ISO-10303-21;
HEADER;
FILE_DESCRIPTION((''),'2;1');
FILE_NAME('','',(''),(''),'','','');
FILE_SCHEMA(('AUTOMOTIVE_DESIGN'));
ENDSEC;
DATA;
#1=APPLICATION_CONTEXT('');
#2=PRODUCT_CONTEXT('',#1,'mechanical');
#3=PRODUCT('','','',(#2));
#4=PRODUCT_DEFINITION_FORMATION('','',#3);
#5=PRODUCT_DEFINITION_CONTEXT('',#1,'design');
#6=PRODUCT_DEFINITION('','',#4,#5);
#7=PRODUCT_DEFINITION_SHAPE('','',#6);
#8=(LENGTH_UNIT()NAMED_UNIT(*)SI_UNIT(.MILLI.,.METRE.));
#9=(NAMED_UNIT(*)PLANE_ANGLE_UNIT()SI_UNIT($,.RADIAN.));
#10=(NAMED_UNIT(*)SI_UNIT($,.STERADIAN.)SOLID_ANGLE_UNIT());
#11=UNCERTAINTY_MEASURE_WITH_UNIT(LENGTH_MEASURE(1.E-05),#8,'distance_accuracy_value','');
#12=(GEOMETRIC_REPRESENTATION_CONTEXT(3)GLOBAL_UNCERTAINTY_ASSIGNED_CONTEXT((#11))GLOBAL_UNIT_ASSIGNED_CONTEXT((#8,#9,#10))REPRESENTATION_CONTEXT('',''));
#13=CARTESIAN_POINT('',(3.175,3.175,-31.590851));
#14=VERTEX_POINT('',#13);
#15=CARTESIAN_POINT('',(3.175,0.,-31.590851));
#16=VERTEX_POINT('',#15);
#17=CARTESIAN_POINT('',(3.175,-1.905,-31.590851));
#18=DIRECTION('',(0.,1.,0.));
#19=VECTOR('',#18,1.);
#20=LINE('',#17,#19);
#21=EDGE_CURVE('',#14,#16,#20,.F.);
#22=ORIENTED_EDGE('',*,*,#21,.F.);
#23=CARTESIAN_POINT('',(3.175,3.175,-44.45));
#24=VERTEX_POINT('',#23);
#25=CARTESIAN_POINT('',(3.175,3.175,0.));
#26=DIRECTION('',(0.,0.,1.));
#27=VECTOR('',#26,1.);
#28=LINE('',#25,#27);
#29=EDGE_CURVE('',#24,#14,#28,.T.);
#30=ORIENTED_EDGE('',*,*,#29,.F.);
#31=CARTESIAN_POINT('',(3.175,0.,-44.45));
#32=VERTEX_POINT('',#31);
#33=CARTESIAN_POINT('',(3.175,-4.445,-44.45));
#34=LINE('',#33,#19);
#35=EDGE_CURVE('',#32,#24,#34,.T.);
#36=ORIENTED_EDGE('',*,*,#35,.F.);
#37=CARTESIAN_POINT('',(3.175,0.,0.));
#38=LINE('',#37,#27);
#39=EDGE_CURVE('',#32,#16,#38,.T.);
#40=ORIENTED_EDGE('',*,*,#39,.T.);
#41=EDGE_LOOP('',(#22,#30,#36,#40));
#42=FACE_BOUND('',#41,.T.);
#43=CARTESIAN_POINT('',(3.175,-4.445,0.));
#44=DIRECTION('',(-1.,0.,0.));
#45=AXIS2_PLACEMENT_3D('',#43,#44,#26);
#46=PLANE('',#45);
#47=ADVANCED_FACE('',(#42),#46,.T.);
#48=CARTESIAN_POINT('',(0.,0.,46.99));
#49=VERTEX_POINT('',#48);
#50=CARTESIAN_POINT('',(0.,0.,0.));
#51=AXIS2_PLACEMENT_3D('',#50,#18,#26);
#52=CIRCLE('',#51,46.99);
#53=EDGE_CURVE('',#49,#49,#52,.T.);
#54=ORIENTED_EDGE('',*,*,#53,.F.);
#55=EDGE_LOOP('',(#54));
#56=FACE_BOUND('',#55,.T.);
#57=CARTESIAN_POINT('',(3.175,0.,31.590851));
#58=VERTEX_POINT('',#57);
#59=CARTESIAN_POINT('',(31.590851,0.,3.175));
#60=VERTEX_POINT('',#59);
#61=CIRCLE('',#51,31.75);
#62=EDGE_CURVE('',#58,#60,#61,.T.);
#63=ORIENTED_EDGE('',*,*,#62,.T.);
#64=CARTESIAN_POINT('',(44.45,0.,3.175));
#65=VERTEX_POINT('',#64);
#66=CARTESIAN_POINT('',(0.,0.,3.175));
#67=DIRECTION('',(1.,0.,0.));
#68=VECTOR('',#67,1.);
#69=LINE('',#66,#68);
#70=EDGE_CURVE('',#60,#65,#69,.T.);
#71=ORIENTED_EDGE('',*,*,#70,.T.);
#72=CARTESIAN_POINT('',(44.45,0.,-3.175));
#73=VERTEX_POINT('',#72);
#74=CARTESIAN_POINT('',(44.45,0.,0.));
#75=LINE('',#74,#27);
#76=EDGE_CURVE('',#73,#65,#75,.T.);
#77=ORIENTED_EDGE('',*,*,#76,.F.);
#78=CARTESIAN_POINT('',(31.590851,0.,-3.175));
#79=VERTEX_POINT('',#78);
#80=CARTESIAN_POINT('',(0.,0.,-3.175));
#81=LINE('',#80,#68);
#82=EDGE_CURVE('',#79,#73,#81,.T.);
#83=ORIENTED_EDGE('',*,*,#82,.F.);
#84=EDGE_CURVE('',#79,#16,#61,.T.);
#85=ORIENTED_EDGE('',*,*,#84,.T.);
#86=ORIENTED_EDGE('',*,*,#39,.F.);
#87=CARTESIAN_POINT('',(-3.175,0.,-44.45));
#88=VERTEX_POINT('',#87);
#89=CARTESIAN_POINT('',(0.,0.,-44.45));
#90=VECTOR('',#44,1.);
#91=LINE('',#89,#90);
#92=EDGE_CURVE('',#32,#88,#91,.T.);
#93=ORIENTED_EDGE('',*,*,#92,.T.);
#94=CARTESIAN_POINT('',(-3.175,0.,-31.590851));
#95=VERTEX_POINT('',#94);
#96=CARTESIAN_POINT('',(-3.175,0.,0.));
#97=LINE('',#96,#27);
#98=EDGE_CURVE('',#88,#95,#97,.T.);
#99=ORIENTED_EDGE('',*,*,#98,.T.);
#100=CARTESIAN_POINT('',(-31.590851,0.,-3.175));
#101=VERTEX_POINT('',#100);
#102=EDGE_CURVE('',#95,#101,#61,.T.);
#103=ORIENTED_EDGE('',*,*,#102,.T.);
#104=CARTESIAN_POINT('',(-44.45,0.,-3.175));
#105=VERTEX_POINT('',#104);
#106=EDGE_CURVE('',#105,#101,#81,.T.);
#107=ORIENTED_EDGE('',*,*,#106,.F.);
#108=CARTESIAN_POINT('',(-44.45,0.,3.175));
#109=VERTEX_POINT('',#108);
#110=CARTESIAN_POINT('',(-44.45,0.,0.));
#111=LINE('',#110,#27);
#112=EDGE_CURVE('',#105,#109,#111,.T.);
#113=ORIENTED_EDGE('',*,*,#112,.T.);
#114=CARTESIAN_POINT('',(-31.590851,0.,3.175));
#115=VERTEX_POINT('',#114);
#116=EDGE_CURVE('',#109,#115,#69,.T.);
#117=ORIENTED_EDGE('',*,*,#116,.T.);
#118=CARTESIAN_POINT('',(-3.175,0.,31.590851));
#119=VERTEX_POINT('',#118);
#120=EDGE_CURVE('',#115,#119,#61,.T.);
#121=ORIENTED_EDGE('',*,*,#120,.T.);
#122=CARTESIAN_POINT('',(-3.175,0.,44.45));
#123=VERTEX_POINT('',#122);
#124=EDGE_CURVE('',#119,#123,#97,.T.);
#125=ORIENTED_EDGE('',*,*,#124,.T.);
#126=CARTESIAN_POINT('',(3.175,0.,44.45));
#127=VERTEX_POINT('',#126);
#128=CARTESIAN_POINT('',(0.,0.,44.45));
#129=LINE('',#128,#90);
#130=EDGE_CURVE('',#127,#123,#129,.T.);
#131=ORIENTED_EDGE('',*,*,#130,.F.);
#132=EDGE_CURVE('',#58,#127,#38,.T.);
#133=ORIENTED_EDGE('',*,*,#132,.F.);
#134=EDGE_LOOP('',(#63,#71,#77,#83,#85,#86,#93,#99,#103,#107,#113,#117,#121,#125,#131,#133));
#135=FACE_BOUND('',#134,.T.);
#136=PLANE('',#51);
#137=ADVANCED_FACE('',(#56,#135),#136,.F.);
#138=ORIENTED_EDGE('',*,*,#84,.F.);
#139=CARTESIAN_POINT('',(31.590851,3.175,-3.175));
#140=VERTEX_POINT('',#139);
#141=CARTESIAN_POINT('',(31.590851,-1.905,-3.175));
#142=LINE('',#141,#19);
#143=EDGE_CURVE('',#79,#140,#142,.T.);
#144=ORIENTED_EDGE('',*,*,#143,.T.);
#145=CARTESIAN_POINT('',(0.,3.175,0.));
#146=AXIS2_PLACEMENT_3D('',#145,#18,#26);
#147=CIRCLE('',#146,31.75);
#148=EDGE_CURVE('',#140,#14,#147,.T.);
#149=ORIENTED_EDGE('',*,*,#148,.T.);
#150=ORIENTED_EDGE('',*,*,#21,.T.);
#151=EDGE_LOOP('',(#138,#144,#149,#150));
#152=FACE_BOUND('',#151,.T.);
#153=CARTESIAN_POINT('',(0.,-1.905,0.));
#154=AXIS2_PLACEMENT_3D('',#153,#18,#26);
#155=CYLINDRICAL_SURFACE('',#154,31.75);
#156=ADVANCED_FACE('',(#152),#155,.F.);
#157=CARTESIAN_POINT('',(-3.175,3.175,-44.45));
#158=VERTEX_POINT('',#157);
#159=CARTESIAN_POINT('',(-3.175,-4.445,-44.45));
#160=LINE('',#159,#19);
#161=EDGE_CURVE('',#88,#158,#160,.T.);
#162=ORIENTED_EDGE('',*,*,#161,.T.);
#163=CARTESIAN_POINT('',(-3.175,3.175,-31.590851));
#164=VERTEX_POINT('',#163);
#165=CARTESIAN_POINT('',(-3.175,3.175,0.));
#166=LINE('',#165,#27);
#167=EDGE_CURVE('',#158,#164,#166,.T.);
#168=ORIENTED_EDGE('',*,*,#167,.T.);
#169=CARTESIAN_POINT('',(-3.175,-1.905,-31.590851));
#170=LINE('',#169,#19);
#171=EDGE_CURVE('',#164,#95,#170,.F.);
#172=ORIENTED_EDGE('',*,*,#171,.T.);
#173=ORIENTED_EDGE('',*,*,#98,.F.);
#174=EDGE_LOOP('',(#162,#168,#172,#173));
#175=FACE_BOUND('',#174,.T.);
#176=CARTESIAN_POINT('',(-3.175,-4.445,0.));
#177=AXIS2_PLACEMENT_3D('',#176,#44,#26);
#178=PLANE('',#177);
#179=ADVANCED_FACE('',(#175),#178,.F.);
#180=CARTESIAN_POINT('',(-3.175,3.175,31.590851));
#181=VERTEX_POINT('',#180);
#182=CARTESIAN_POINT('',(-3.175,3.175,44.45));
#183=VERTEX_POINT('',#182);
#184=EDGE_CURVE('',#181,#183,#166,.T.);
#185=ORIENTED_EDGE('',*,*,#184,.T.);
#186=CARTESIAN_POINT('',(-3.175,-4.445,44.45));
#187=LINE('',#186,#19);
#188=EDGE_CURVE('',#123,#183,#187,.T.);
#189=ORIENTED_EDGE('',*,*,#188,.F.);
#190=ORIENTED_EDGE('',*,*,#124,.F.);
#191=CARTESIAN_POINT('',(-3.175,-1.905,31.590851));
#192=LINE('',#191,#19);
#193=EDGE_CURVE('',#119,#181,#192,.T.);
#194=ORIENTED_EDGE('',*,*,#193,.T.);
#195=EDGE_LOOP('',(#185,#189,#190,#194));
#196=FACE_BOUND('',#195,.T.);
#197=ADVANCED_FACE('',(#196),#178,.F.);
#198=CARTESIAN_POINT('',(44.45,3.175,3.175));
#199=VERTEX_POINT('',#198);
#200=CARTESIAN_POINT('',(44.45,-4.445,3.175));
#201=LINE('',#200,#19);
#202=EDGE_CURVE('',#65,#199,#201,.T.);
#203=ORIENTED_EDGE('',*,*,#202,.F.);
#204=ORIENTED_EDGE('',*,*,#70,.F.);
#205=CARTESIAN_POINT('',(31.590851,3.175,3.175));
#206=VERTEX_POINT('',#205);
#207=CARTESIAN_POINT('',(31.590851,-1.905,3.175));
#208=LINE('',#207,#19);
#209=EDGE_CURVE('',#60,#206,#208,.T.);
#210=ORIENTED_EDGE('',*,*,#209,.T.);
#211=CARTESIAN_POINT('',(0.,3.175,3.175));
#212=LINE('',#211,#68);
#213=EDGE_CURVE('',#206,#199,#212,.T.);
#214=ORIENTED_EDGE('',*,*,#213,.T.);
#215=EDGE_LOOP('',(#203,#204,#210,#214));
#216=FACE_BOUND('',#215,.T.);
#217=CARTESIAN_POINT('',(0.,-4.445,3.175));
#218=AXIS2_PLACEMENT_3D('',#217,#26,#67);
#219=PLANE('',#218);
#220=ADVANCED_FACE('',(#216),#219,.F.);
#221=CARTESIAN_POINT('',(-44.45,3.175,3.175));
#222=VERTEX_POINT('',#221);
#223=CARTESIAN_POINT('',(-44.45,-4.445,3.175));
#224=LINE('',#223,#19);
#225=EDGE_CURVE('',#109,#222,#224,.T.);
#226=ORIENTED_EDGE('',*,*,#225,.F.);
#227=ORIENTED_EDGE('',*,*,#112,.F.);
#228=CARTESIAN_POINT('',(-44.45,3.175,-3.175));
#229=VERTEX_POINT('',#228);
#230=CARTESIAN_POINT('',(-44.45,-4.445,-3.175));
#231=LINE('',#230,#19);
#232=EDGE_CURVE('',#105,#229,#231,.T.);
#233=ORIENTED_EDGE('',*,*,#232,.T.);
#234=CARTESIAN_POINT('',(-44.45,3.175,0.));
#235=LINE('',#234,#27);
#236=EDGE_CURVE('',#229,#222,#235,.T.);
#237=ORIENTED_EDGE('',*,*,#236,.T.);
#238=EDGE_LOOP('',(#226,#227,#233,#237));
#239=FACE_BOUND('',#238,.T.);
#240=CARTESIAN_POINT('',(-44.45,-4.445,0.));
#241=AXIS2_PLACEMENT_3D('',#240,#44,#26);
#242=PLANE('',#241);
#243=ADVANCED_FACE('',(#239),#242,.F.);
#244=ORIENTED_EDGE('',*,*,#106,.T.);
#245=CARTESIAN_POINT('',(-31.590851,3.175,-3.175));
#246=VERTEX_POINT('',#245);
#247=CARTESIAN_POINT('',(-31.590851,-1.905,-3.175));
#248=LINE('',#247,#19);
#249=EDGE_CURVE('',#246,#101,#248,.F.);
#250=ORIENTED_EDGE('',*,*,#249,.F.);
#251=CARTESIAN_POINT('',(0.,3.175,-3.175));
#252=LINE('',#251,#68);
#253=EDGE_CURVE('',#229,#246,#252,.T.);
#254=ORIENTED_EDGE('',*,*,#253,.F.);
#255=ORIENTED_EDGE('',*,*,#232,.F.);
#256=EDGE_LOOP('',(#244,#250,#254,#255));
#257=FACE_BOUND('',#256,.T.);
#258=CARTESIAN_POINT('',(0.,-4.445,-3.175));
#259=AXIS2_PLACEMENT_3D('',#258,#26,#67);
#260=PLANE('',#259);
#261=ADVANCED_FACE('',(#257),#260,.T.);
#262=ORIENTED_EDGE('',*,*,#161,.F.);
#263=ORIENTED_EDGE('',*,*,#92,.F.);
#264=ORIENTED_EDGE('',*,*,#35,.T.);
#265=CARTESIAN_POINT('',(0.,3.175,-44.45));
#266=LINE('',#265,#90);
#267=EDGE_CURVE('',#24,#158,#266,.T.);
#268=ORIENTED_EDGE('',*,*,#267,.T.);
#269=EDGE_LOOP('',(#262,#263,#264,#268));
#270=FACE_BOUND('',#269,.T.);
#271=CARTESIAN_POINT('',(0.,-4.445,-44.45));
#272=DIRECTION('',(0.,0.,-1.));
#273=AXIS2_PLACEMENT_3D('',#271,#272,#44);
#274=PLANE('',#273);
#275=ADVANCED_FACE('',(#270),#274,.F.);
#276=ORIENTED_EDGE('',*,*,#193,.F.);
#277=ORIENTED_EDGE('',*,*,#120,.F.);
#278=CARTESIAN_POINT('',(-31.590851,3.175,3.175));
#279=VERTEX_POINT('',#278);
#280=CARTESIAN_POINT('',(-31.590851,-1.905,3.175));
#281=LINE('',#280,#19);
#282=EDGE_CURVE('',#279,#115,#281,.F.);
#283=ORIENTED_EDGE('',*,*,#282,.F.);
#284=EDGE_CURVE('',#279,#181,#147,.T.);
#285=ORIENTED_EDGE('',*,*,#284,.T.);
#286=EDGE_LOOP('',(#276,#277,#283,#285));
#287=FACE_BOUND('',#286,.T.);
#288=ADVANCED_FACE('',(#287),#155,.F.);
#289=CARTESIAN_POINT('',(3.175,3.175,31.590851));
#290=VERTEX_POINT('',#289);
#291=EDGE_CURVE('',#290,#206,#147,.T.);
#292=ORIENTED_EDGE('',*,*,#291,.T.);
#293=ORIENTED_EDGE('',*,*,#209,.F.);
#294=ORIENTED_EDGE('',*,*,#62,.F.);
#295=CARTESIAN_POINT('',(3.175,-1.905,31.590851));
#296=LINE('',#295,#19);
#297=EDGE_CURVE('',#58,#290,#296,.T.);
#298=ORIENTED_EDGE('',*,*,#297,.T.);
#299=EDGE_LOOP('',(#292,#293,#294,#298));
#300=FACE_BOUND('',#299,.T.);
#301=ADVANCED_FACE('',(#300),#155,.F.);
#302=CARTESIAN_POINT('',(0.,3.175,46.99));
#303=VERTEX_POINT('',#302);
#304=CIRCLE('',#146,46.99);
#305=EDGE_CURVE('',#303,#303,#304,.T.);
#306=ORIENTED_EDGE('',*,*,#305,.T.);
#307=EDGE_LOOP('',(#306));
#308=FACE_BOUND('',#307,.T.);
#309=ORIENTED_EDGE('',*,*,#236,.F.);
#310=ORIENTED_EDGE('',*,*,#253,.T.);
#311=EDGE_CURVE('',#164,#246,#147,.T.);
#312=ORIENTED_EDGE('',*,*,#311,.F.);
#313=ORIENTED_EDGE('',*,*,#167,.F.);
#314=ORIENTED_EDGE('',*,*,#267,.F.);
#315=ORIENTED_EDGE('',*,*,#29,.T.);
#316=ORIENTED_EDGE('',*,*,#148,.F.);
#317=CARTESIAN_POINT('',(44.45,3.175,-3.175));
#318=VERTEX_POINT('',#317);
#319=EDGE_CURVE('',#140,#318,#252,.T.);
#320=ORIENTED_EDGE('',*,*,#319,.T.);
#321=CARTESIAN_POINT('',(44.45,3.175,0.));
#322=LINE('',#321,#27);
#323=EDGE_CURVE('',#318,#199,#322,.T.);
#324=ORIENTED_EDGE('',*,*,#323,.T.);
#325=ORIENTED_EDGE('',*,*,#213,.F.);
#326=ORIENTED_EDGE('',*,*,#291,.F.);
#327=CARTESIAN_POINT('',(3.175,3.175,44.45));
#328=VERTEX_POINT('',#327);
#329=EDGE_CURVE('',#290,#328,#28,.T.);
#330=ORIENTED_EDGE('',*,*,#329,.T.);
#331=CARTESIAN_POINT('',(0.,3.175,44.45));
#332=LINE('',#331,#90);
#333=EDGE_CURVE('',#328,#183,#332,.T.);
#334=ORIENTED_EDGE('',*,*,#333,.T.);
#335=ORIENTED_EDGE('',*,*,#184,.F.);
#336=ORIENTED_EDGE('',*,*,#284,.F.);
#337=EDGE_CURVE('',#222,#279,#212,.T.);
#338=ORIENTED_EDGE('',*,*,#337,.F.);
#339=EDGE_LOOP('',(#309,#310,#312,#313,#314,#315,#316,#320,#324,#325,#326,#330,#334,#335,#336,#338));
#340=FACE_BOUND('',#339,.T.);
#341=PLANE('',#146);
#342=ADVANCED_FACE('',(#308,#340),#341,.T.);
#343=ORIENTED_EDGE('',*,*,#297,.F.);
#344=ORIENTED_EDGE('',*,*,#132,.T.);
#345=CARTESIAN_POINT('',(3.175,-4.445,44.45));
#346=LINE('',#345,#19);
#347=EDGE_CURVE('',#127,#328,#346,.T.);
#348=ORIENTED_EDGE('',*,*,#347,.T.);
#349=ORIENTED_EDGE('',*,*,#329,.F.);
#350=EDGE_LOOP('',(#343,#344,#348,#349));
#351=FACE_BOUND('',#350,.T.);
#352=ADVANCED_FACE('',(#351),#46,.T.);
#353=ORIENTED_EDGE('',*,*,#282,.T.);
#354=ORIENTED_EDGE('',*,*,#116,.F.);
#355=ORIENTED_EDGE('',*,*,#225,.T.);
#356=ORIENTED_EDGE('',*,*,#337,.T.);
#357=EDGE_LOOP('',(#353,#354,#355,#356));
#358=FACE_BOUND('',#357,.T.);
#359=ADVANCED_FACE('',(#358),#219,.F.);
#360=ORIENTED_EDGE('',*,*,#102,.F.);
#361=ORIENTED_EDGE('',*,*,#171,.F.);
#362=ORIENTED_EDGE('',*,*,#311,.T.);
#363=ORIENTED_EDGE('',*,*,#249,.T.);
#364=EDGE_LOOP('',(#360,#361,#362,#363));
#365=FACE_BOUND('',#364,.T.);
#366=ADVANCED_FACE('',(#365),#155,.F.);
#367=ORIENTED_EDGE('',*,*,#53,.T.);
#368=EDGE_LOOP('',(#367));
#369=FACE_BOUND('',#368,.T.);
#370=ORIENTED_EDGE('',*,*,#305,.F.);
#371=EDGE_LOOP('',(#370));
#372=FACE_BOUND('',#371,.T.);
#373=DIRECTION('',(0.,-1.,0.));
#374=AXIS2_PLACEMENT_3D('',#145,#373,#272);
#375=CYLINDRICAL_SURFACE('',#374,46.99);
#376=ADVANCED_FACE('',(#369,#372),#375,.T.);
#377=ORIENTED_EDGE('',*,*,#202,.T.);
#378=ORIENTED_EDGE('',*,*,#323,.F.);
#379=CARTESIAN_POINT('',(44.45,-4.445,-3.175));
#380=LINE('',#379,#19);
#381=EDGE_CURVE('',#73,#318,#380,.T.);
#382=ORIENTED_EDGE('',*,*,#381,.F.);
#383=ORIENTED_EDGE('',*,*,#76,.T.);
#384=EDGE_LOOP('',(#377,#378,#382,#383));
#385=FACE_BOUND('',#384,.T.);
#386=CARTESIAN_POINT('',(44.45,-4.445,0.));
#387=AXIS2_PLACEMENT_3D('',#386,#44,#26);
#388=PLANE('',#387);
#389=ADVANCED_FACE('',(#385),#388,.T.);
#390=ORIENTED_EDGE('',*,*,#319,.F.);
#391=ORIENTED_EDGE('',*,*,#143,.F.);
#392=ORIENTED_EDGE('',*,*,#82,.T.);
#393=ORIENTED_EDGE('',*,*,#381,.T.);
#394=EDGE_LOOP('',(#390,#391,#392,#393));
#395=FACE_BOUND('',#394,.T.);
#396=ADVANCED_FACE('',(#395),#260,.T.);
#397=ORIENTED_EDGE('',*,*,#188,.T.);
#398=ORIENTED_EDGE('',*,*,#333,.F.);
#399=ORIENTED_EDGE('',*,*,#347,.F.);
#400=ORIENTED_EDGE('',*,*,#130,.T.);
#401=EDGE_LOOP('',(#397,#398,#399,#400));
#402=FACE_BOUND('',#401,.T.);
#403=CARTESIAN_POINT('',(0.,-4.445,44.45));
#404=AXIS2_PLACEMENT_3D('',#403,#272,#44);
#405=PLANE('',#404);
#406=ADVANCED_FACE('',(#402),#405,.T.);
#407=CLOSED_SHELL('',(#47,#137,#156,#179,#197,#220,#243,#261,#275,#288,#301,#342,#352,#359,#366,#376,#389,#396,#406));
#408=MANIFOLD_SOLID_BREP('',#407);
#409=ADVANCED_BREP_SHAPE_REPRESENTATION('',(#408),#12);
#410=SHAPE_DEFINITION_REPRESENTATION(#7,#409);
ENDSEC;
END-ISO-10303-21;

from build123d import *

# Parameters (mm, degrees)
SKETCH1_R           = 46.99
BOSS_EXTRUDE1_DEPTH = 3.175
SKETCH2_R           = 14.351
CUT_EXTRUDE1_DEPTH  = 3.175
CUT_EXTRUDE2_DEPTH  = 7.62
SKETCH6_R           = 31.75
CUT_EXTRUDE3_DEPTH  = 5.08


with BuildPart() as part:
    # Sketch1 → Boss-Extrude1 (new body)
    with BuildSketch(Plane(origin=(0, 0, 0), x_dir=(1, 0, 0), z_dir=(0, 1, 0))):
        with Locations(Location((0, 0, 0), (0, 0, 270))):
            Circle(SKETCH1_R)
    extrude(amount=BOSS_EXTRUDE1_DEPTH)

    # Sketch2 → Cut-Extrude1 (cut)
    with BuildSketch(Plane(origin=(0, 3.175, 0), x_dir=(1, 0, 0), z_dir=(0, 1, 0))):
        with Locations(Location((0, 0, 0), (0, 0, 270))):
            Circle(SKETCH2_R)
    extrude(amount=-CUT_EXTRUDE1_DEPTH, mode=Mode.SUBTRACT)

    # Sketch5 → Cut-Extrude2 (cut)
    with BuildSketch(Plane(origin=(0, 3.175, 0), x_dir=(1, 0, 0), z_dir=(0, 1, 0))):
        with BuildLine():
            Line((3.175, 13.995376951), (3.175, 44.45))
            Line((3.175, 44.45), (-3.175, 44.45))
            Line((-3.175, 44.45), (-3.175, 13.995376951))
            ThreePointArc((-3.175, 13.995376951), (0, 14.351), (3.175, 13.995376951))
        make_face()
        with BuildLine():
            Line((3.175, -44.45), (3.175, -13.995376951))
            ThreePointArc((3.175, -13.995376951), (0, -14.351), (-3.175, -13.995376951))
            Line((-3.175, -13.995376951), (-3.175, -44.45))
            Line((-3.175, -44.45), (3.175, -44.45))
        make_face()
        with BuildLine():
            ThreePointArc((-13.995376951, -3.175), (-14.351, 0), (-13.995376951, 3.175))
            Line((-13.995376951, 3.175), (-44.45, 3.175))
            Line((-44.45, 3.175), (-44.45, -3.175))
            Line((-44.45, -3.175), (-13.995376951, -3.175))
        make_face()
        with BuildLine():
            Line((44.45, 3.175), (13.995376951, 3.175))
            ThreePointArc((13.995376951, 3.175), (14.261817129, 1.597427053), (14.351, 0))
            ThreePointArc((14.351, 0), (14.261817129, -1.597427053), (13.995376951, -3.175))
            Line((13.995376951, -3.175), (44.45, -3.175))
            Line((44.45, -3.175), (44.45, 3.175))
        make_face()
    extrude(amount=-CUT_EXTRUDE2_DEPTH, mode=Mode.SUBTRACT)

    # Sketch6 → Cut-Extrude3 (cut)
    with BuildSketch(Plane(origin=(0, 3.175, 0), x_dir=(1, 0, 0), z_dir=(0, 1, 0))):
        Circle(SKETCH6_R)
    extrude(amount=-CUT_EXTRUDE3_DEPTH, mode=Mode.SUBTRACT)


solid = part.part
